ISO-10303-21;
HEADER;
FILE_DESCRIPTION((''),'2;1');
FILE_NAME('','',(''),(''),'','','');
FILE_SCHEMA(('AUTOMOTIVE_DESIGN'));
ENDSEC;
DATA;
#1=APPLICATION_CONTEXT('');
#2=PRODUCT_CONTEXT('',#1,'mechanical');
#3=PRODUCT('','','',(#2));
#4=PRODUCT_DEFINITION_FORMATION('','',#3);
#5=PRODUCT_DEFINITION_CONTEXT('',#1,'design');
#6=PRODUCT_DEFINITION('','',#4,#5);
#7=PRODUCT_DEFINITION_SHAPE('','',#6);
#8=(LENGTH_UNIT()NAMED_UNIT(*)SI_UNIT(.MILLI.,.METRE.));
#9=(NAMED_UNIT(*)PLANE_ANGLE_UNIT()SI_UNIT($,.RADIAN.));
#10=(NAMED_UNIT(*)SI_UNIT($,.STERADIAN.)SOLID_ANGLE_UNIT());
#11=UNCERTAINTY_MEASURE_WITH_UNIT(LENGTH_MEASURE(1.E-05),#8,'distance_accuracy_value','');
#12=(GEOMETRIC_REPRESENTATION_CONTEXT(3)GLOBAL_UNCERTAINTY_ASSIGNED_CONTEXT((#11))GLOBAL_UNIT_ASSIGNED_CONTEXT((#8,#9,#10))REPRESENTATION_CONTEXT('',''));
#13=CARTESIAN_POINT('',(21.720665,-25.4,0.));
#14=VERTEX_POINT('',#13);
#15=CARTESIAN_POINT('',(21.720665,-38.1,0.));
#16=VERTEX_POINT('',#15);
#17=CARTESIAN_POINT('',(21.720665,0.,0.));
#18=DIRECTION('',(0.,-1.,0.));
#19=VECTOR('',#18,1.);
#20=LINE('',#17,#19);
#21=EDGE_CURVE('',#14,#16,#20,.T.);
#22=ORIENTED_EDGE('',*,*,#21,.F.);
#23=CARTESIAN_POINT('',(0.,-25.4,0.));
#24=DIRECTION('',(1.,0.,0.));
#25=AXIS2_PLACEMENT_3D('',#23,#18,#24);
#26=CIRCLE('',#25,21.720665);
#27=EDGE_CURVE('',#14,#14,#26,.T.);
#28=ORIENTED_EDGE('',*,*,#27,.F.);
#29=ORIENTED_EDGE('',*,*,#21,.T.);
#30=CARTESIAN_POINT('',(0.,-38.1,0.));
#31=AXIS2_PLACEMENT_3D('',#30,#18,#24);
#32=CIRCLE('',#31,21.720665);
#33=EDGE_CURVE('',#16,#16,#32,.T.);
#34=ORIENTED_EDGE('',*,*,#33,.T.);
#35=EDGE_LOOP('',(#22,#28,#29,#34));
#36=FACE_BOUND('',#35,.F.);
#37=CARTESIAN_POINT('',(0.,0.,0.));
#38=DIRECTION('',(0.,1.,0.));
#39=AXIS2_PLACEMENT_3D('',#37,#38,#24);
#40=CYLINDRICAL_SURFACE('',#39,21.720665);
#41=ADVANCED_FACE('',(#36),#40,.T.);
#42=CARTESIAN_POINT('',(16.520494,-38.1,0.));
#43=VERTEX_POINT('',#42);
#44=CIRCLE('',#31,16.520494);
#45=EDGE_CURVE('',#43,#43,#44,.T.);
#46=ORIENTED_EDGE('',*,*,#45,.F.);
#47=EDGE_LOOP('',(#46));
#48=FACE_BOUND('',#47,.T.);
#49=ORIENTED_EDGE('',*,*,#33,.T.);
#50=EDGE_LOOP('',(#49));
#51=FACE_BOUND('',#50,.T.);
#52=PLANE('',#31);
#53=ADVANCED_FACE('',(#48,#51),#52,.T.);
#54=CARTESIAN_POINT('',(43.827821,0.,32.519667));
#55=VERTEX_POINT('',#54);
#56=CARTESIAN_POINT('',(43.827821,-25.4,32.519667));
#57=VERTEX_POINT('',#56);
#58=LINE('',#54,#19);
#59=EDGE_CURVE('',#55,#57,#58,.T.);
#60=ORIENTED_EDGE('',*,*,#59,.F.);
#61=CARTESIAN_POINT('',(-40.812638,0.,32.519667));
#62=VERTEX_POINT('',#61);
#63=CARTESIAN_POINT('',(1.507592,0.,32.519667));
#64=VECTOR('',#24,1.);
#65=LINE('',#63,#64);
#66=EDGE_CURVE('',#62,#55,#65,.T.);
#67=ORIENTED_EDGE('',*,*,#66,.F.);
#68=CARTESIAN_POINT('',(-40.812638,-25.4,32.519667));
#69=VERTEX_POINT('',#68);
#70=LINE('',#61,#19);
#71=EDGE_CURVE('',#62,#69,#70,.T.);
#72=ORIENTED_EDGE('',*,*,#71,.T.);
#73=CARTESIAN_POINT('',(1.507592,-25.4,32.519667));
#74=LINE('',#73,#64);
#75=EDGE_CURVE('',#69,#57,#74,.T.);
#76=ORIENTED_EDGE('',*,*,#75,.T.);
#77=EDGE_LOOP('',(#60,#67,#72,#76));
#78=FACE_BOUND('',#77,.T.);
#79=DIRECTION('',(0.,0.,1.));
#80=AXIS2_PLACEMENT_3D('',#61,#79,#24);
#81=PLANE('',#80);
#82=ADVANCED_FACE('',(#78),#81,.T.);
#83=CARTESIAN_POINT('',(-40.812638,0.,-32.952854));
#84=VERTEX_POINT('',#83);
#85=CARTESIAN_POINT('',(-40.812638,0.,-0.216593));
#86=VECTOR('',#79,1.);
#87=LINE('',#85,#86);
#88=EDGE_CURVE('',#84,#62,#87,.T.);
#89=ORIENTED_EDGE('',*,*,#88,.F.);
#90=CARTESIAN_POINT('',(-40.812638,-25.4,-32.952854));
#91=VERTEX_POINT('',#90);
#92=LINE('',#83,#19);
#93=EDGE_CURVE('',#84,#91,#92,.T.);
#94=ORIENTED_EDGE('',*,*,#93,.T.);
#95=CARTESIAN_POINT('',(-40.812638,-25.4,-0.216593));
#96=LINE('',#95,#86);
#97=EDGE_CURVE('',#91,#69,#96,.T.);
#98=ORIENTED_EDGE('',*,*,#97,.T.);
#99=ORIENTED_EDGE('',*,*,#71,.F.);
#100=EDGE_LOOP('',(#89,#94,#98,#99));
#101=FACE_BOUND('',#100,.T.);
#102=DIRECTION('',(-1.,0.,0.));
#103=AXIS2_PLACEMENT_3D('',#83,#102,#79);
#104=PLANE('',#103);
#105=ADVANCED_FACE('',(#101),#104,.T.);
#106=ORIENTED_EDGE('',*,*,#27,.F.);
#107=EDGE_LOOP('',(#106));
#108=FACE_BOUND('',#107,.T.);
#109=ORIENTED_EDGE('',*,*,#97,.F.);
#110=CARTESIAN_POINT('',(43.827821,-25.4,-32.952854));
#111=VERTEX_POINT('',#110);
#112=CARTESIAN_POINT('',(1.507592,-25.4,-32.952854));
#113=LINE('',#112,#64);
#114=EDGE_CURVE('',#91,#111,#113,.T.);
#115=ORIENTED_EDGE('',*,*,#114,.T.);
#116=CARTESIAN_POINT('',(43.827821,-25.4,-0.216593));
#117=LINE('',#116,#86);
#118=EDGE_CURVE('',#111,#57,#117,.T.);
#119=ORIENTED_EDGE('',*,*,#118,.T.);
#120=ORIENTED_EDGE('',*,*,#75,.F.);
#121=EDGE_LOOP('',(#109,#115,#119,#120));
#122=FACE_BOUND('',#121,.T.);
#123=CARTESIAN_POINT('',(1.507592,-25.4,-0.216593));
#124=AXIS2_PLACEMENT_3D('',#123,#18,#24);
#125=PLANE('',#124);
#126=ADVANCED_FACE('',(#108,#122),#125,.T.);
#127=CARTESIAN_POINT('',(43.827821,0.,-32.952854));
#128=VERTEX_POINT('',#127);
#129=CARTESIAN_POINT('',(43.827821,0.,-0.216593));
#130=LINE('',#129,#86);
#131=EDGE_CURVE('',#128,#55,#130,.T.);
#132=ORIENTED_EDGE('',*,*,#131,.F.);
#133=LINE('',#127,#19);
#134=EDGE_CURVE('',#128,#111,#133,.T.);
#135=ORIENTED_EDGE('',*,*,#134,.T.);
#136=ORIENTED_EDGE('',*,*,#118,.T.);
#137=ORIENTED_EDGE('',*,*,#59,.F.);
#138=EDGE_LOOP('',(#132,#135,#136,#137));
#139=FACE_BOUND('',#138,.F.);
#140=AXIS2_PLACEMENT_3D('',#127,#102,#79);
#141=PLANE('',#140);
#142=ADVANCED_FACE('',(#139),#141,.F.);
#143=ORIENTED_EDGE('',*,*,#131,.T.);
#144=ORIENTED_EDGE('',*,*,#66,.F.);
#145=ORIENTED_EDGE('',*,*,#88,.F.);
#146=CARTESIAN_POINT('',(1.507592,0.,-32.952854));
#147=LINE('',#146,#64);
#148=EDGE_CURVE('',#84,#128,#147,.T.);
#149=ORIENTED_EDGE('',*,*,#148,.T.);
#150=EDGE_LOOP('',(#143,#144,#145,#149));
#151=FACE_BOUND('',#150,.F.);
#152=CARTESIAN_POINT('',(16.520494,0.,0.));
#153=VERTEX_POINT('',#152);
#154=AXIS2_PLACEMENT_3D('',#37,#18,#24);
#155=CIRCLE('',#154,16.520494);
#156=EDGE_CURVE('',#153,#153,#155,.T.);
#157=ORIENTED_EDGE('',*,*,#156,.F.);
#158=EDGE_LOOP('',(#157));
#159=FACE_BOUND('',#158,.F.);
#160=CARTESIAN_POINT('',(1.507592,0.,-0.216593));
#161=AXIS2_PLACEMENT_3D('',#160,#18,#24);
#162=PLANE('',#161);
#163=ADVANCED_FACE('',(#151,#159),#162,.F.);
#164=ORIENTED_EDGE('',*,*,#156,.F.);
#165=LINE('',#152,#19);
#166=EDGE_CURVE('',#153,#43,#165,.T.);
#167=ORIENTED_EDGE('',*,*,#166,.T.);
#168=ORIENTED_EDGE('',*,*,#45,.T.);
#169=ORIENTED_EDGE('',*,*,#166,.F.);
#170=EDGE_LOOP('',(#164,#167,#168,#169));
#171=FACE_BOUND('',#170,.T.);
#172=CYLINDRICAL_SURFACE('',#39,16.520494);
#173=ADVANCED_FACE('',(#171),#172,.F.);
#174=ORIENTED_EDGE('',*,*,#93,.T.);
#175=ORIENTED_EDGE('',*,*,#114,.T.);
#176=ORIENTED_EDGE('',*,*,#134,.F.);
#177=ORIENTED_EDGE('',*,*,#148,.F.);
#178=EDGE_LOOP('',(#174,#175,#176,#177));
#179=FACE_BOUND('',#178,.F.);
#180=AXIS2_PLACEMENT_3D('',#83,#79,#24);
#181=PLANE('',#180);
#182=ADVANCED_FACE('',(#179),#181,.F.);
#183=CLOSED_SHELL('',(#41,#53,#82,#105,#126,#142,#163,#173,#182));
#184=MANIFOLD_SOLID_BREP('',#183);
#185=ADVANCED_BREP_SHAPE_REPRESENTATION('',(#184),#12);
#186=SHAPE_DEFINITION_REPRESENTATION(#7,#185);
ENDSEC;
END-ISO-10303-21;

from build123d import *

# Parameters (mm, degrees)
F0_R     = 21.720665
F0_R_2   = 16.520494
F1_DEPTH = 38.1
F0_W     = 84.640459
F0_H     = 65.472521
F2_DEPTH = 25.4


with BuildPart() as f1:
    # F0 (on Front) → F1 (new body)
    with BuildSketch(Plane.XZ):
        Circle(F0_R)
        Circle(F0_R_2, mode=Mode.SUBTRACT)
    extrude(amount=F1_DEPTH)

    # F0 (on Front) → F2 (join)
    with BuildSketch(Plane.XZ):
        with Locations((1.507592, -0.216593)):
            Rectangle(F0_W, F0_H)
        Circle(F0_R, mode=Mode.SUBTRACT)
    extrude(amount=F2_DEPTH)


solid = f1.part
